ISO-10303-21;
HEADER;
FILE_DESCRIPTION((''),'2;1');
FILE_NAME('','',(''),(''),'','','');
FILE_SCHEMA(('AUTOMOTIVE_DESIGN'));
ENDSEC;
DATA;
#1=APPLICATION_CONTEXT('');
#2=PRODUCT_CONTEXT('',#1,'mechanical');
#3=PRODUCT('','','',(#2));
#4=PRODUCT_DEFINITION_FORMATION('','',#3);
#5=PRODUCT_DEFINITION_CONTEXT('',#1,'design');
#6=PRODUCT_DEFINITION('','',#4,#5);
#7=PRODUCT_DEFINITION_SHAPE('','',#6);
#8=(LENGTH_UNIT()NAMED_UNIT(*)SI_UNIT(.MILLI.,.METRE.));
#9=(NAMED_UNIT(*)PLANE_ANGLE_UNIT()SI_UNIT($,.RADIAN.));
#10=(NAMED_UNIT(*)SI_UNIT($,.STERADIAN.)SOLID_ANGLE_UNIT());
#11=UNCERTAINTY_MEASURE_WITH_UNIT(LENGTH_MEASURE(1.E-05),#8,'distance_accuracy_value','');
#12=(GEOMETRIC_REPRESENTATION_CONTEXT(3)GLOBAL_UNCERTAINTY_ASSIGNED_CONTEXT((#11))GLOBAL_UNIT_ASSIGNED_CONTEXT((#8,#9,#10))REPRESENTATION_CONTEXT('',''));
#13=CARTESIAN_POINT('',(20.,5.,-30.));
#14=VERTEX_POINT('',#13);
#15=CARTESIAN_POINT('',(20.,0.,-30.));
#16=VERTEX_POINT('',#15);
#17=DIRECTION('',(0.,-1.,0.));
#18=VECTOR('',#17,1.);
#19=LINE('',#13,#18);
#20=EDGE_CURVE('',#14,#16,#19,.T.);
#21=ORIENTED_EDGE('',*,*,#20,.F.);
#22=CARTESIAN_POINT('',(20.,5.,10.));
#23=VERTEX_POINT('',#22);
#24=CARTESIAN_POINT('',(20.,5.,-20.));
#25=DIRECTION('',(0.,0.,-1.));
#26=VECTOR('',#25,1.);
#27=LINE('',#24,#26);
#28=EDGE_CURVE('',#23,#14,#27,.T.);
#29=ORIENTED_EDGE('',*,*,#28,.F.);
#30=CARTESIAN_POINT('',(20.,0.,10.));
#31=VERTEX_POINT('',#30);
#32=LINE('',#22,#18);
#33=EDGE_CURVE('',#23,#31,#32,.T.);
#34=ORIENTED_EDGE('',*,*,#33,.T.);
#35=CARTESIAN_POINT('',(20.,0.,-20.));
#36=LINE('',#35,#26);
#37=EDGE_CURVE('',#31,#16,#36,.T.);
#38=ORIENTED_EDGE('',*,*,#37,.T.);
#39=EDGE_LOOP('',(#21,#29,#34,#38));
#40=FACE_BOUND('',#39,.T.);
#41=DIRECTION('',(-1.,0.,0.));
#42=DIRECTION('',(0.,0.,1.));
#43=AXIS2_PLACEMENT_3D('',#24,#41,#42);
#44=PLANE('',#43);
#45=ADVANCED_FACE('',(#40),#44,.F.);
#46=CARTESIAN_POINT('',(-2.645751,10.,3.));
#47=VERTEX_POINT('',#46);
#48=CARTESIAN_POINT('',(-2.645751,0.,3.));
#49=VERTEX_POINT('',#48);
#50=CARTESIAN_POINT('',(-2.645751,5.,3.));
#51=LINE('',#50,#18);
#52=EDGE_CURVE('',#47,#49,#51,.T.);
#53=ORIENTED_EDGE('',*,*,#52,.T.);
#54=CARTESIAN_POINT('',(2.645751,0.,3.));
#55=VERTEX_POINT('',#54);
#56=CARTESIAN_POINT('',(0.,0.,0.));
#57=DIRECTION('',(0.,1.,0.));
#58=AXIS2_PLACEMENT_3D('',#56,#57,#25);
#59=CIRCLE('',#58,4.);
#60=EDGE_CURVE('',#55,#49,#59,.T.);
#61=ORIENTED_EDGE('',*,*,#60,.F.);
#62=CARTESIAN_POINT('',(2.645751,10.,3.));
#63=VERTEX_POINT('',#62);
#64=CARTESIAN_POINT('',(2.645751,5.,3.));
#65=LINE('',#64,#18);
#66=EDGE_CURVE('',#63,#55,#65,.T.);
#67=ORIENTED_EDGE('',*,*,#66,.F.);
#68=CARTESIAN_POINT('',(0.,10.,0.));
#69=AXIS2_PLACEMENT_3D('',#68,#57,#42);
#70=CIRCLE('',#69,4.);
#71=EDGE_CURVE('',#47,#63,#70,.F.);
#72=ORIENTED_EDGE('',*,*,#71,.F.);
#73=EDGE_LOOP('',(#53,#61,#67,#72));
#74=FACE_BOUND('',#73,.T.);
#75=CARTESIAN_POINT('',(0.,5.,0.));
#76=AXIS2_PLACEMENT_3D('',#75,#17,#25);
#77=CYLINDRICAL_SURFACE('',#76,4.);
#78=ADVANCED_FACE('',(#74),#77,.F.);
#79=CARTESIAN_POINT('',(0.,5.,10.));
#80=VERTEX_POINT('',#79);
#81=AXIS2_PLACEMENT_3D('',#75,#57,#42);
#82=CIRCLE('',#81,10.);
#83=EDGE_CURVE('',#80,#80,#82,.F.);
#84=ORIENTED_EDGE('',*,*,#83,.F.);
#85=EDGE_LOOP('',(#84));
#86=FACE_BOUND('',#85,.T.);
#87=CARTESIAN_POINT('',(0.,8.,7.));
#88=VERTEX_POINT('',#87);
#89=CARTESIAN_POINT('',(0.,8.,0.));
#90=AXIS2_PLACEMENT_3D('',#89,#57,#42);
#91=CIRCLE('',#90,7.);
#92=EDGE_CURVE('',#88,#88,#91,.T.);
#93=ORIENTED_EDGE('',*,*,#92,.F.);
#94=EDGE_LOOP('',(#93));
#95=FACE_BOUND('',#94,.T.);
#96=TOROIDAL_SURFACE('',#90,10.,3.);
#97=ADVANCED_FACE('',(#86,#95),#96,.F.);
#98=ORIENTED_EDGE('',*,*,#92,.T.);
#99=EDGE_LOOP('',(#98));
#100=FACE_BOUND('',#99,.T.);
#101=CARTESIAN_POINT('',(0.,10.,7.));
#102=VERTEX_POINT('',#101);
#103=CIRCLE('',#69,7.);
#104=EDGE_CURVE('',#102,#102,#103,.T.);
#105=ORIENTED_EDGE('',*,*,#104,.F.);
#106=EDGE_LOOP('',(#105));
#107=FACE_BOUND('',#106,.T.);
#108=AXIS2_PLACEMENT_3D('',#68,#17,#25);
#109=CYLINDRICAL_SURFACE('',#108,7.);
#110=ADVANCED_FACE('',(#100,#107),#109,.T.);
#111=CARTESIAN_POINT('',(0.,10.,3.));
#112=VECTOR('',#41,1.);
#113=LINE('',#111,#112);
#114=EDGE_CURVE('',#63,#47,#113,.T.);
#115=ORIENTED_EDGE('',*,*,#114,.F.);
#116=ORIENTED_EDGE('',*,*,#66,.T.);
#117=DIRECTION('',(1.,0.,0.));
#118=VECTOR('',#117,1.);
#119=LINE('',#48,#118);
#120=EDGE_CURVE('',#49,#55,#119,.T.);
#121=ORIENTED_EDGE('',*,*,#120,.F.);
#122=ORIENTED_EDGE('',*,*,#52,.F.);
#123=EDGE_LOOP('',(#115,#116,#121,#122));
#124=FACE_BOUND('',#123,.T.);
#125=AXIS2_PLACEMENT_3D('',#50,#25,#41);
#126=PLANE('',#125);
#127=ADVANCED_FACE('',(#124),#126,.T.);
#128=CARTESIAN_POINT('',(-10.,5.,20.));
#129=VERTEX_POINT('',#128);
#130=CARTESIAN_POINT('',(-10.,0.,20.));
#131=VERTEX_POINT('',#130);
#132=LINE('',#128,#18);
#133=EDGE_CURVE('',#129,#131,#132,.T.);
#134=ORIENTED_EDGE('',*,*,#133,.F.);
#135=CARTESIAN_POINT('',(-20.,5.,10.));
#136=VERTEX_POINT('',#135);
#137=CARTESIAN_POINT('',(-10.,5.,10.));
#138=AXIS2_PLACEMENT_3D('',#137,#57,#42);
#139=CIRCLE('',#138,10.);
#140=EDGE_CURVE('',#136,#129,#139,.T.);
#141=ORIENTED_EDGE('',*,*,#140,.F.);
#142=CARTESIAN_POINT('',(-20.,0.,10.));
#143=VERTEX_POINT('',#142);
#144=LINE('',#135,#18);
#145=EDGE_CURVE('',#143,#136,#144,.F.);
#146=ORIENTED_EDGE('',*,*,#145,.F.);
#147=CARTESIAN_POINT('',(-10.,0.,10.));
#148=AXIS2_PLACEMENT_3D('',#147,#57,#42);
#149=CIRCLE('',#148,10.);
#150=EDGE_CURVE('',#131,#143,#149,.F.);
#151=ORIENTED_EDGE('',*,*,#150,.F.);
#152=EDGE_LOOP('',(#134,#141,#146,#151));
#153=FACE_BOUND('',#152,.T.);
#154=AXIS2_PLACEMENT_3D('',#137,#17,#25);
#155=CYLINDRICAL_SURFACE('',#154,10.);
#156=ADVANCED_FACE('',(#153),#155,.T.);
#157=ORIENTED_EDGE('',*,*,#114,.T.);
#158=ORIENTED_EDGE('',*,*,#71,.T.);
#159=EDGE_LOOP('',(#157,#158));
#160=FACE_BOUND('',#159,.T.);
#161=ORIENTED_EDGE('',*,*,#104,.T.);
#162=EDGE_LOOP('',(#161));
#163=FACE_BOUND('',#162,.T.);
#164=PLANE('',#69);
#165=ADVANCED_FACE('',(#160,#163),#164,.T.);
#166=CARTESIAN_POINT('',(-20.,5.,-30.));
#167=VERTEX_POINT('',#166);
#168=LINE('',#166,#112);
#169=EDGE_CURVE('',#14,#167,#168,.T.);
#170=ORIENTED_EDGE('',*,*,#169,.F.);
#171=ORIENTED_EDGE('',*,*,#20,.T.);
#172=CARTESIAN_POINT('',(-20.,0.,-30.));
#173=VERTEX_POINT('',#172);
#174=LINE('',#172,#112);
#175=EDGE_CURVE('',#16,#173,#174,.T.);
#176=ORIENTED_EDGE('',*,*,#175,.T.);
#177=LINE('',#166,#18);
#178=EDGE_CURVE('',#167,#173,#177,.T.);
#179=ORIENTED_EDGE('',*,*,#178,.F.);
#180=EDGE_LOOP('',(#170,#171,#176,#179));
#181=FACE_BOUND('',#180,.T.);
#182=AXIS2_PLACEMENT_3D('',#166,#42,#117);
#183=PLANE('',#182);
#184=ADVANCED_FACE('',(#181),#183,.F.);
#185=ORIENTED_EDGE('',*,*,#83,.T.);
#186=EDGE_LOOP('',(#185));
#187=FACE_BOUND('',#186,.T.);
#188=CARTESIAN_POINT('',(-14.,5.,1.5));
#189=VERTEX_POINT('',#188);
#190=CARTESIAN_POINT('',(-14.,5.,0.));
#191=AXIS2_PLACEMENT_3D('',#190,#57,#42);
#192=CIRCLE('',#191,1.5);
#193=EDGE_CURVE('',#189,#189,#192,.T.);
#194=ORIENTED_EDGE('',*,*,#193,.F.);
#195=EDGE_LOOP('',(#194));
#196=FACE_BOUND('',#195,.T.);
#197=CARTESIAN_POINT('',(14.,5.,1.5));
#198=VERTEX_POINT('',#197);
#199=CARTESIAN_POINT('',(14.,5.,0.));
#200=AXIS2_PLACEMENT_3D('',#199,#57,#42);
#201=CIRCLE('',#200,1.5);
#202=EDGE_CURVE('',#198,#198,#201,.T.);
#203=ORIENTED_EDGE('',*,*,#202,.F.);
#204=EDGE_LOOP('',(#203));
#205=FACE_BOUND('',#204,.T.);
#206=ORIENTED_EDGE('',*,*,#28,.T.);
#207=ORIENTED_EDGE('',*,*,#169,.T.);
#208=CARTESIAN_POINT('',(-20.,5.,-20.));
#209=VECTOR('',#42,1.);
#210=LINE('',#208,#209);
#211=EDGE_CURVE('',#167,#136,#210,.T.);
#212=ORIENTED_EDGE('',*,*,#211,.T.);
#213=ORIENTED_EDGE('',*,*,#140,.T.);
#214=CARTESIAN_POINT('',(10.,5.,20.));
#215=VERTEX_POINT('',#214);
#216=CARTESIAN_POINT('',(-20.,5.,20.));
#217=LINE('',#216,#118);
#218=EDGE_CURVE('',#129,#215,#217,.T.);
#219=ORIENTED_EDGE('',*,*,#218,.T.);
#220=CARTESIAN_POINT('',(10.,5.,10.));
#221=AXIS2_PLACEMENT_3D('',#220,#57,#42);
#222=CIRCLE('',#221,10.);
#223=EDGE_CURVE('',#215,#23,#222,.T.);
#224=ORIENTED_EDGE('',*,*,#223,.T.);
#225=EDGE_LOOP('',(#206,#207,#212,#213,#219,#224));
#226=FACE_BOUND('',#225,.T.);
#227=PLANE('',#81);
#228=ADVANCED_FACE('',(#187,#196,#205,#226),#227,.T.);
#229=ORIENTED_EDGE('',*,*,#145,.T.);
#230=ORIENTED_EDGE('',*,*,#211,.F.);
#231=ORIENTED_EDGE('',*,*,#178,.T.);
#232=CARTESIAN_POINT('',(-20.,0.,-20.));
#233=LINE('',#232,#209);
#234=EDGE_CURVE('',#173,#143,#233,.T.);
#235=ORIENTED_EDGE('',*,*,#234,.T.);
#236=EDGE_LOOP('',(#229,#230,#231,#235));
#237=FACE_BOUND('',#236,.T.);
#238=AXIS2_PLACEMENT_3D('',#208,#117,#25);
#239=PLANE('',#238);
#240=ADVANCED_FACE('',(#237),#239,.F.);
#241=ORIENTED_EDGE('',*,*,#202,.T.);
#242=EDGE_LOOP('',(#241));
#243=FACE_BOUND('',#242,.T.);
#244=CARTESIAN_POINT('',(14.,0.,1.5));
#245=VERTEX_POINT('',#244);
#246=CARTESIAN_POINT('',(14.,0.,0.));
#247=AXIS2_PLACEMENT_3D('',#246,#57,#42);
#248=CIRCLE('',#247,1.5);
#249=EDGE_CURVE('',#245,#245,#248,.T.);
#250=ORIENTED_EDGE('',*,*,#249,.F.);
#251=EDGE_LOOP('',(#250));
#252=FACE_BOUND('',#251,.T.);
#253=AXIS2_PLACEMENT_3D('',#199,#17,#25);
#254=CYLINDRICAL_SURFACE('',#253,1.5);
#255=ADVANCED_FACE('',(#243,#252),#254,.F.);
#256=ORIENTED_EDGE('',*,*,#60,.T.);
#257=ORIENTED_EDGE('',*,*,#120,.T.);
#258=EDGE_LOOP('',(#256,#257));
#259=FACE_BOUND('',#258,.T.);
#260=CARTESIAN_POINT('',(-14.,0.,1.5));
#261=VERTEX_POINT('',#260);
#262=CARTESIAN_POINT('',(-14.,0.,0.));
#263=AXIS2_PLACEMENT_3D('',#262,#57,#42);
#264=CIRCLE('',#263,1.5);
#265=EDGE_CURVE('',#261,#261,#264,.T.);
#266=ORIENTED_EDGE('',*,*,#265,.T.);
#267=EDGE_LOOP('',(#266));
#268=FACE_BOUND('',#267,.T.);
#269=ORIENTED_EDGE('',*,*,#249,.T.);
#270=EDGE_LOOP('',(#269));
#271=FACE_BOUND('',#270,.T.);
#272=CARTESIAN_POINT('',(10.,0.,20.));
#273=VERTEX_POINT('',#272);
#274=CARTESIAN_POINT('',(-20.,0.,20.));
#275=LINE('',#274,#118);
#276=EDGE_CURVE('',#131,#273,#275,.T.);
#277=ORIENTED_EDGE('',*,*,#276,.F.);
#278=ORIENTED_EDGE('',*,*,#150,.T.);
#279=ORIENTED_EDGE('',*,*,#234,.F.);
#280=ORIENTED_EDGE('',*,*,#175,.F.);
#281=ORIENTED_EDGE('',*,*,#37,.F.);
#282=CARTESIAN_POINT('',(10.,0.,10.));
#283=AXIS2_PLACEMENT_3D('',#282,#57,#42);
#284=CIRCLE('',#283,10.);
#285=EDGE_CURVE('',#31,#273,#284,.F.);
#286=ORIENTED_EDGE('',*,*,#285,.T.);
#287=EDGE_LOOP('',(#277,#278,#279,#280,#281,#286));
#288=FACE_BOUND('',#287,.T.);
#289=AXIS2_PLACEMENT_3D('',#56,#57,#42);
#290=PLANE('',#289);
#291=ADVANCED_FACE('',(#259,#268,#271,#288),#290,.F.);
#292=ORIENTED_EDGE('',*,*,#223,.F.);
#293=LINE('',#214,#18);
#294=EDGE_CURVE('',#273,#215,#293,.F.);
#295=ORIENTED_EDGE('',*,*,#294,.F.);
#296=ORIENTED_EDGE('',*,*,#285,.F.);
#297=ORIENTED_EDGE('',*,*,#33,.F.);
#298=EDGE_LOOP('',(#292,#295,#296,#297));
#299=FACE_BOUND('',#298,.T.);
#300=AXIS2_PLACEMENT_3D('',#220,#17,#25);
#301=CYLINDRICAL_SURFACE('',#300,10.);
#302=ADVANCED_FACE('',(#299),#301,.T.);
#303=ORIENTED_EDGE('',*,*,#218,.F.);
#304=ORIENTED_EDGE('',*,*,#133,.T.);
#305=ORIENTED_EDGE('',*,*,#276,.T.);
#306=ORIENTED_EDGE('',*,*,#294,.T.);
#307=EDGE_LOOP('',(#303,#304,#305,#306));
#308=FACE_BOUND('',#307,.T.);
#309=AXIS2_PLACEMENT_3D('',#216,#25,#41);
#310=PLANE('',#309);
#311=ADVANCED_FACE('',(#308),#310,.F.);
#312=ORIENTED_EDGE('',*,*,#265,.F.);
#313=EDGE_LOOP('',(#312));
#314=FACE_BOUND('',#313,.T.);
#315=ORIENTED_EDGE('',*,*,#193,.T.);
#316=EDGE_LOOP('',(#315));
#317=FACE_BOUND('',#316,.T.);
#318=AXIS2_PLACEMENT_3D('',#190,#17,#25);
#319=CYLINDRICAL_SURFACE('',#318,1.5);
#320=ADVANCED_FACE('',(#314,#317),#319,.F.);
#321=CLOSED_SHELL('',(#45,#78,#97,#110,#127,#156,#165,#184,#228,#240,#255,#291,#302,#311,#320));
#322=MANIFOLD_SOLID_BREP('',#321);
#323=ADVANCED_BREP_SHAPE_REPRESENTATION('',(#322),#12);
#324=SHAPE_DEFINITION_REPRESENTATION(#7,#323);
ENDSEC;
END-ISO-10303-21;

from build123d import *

# Parameters (mm, degrees)
SKETCH1_R           = 1.5
BOSS_EXTRUDE1_DEPTH = 5
SKETCH2_R           = 7
BOSS_EXTRUDE2_DEPTH = 5
FILLET1_R           = 10
FILLET2_R           = 3


with BuildPart() as part:
    # Sketch1 → Boss-Extrude1 (new body)
    with BuildSketch(Plane(origin=(0, 0, 0), x_dir=(1, 0, 0), z_dir=(0, 1, 0))):
        Polygon((-20, 20), (-20, -20), (20, -20), (20, 20), (20, 30), (-20, 30), align=None)
        with Locations(Location((14, 0, 0), (0, 0, 270))):
            Circle(SKETCH1_R, mode=Mode.SUBTRACT)
        with Locations(Location((-14, 0, 0), (0, 0, 270))):
            Circle(SKETCH1_R, mode=Mode.SUBTRACT)
        with BuildLine():
            Line((-2.645751311, -3), (2.645751311, -3))
            ThreePointArc((2.645751311, -3), (0, 4), (-2.645751311, -3))
        make_face(mode=Mode.SUBTRACT)
    extrude(amount=BOSS_EXTRUDE1_DEPTH)

    # Sketch2 → Boss-Extrude2 (add)
    with BuildSketch(Plane(origin=(0, 5, 0), x_dir=(1, 0, 0), z_dir=(0, 1, 0))):
        with Locations(Location((0, 0, 0), (0, 0, 270))):
            Circle(SKETCH2_R)
        with BuildLine():
            ThreePointArc((-2.645751311, -3), (0, 4), (2.645751311, -3))
            Line((2.645751311, -3), (-2.645751311, -3))
        make_face(mode=Mode.SUBTRACT)
    extrude(amount=BOSS_EXTRUDE2_DEPTH)

    # Fillet1
    fillet1_edges = [part.edges().sort_by_distance(p)[0] for p in [
        (20, 2.5, 20),
        (-20, 2.5, 20),
    ]]
    fillet(fillet1_edges, radius=FILLET1_R)

    # Fillet2
    fillet2_edges = [part.edges().sort_by_distance(p)[0] for p in [
        (0, 5, -7),
    ]]
    fillet(fillet2_edges, radius=FILLET2_R)


solid = part.part
